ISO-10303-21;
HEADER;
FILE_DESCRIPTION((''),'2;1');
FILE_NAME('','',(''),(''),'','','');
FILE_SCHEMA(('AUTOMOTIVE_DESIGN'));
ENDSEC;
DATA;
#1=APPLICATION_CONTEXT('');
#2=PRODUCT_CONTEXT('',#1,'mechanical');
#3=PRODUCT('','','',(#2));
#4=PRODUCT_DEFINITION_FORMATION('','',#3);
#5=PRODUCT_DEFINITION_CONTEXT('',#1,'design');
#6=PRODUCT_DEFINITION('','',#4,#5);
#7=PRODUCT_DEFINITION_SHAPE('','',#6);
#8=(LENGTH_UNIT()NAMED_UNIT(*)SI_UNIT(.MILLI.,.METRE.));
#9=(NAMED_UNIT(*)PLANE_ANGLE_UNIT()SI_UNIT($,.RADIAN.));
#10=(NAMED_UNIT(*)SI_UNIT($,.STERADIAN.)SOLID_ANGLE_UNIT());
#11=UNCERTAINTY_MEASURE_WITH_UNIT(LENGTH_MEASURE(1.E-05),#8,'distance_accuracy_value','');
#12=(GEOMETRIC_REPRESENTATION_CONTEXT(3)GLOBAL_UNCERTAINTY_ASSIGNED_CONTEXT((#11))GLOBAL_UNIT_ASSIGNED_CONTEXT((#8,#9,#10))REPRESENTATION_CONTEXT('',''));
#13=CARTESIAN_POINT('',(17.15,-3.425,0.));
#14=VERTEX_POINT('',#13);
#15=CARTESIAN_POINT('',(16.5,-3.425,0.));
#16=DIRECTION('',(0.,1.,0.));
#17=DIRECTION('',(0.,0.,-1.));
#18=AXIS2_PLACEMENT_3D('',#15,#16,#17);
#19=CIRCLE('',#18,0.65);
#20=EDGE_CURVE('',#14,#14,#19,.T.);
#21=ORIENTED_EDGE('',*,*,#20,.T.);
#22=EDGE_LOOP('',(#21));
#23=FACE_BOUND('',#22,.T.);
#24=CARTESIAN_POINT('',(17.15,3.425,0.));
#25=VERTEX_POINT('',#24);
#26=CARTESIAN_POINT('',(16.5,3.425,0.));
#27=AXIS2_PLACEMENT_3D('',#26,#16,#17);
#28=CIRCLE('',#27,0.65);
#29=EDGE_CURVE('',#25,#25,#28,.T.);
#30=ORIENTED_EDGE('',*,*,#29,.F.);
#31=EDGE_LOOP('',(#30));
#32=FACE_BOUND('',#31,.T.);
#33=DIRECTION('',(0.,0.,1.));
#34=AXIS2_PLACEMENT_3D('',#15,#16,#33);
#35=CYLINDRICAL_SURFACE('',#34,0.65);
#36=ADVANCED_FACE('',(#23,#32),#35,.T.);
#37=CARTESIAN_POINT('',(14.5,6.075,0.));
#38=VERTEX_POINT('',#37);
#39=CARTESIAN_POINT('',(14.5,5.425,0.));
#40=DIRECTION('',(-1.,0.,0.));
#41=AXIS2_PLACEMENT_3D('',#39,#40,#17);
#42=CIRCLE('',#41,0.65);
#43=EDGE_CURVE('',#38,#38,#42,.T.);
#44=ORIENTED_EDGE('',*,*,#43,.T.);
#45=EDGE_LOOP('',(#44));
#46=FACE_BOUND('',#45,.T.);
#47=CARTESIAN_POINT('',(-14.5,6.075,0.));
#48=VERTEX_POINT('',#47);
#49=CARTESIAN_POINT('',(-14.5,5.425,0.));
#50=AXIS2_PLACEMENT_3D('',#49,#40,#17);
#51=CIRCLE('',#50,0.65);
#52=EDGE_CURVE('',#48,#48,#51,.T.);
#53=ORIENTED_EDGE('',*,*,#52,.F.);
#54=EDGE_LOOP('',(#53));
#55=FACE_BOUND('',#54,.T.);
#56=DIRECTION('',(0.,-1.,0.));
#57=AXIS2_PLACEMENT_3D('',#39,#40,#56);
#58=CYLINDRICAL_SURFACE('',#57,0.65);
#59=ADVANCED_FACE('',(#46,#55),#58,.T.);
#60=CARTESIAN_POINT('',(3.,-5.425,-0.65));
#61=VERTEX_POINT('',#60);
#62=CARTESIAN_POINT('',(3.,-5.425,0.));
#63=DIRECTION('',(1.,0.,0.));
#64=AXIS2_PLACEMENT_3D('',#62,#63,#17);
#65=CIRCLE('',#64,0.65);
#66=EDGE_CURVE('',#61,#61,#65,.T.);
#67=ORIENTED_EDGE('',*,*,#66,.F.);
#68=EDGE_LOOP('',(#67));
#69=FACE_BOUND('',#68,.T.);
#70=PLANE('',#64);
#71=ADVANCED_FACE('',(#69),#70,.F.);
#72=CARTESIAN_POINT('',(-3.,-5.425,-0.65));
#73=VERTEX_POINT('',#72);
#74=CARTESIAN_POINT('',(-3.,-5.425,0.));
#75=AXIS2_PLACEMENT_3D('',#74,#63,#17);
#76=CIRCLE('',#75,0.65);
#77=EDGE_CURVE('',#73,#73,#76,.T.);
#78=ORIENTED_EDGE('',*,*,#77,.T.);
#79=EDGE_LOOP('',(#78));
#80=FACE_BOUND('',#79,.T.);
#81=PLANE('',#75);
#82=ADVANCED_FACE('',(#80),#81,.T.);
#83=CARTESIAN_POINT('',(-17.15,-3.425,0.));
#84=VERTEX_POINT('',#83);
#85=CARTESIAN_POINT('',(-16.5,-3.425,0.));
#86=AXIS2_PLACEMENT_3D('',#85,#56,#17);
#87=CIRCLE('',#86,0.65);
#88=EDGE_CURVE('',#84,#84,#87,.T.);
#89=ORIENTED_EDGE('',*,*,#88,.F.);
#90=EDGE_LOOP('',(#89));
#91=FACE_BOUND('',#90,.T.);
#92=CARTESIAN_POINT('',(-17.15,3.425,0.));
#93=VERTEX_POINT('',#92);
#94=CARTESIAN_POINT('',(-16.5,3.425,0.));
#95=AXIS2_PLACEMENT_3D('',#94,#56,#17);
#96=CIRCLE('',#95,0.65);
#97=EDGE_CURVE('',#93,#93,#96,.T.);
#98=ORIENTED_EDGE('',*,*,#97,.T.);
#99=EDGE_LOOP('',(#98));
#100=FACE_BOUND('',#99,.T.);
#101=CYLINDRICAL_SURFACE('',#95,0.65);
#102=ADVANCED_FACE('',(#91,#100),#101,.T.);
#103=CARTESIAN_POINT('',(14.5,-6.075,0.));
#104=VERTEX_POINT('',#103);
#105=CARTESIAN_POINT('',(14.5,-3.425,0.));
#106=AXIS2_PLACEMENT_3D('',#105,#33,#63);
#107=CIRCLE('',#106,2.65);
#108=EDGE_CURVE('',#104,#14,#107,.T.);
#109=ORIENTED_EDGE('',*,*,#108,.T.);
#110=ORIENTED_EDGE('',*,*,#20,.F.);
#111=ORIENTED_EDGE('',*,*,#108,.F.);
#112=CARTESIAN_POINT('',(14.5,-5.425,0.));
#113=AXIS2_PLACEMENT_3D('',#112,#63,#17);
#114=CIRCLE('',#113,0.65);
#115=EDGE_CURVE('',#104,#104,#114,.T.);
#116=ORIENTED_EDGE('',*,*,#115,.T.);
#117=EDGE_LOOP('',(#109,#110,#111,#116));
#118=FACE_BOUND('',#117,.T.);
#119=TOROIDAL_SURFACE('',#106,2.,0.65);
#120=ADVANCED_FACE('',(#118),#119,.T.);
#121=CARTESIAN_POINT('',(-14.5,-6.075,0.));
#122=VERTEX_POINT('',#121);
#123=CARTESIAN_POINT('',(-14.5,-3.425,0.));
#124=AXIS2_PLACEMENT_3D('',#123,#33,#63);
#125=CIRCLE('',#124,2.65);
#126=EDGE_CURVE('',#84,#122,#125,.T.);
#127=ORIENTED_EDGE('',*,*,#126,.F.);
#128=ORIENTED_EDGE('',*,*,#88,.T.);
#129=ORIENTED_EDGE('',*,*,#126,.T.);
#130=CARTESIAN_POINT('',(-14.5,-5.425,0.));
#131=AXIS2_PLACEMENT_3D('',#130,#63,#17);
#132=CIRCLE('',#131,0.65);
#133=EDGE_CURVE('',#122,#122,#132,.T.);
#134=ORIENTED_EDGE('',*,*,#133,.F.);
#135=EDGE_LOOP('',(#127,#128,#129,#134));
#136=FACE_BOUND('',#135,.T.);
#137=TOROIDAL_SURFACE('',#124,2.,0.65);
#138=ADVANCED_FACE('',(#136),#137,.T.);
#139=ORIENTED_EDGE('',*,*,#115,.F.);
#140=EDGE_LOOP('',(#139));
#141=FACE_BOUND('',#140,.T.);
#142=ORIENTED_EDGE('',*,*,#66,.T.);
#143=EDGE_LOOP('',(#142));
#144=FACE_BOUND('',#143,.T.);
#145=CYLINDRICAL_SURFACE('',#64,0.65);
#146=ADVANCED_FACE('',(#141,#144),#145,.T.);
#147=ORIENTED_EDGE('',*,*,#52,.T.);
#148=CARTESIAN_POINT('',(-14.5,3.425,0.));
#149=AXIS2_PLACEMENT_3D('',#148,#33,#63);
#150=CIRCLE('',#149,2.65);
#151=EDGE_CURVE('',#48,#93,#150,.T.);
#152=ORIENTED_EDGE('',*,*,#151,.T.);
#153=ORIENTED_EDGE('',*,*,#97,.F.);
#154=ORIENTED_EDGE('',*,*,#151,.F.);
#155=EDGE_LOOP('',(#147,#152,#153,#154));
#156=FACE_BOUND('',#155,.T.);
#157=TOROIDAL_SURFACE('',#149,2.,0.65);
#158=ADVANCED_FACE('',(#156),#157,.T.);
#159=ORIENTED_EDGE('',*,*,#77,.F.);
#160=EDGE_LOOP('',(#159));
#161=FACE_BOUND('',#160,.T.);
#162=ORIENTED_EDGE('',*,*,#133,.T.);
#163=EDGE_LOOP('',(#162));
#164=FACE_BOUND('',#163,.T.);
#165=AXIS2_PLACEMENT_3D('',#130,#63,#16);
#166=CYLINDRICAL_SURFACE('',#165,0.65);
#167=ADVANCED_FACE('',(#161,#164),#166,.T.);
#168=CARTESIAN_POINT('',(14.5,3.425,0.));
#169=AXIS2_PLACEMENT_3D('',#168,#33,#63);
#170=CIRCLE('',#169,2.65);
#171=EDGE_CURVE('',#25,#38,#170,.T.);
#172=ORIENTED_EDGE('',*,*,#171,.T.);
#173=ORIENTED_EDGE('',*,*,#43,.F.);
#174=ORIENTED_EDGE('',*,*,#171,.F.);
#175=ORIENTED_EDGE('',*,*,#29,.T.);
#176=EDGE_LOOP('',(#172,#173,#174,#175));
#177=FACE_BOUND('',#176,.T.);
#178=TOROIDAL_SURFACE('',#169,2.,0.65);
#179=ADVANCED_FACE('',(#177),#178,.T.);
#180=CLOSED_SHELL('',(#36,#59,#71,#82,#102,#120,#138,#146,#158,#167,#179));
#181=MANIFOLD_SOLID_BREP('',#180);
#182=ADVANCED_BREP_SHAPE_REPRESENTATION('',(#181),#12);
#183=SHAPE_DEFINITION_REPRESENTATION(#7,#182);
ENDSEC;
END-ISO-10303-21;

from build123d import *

# Parameters (mm, degrees)
SKETCH2_R = 0.65


with BuildPart() as part:
    # Sweep2: sweep along a path in Sketch1
    with BuildLine(Plane.XY) as sweep2_path:
        Line((-3, -5.425), (-14.5, -5.425))
        ThreePointArc((-14.5, -5.425), (-15.914213562, -4.839213562), (-16.5, -3.425))
        Line((-16.5, -3.425), (-16.5, 3.425))
        ThreePointArc((-16.5, 3.425), (-15.914213562, 4.839213562), (-14.5, 5.425))
        Line((-14.5, 5.425), (14.5, 5.425))
        ThreePointArc((14.5, 5.425), (15.914213562, 4.839213562), (16.5, 3.425))
        Line((16.5, 3.425), (16.5, -3.425))
        ThreePointArc((16.5, -3.425), (15.914213562, -4.839213562), (14.5, -5.425))
        Line((14.5, -5.425), (3, -5.425))
    # Sketch2 → Sweep2 (sweep)
    with BuildSketch(Plane(origin=(-3, 0, 0), x_dir=(0, 0, -1), z_dir=(1, 0, 0))):
        with Locations((0, -5.425)):
            Circle(SKETCH2_R)
    sweep(path=sweep2_path.line)


solid = part.part
